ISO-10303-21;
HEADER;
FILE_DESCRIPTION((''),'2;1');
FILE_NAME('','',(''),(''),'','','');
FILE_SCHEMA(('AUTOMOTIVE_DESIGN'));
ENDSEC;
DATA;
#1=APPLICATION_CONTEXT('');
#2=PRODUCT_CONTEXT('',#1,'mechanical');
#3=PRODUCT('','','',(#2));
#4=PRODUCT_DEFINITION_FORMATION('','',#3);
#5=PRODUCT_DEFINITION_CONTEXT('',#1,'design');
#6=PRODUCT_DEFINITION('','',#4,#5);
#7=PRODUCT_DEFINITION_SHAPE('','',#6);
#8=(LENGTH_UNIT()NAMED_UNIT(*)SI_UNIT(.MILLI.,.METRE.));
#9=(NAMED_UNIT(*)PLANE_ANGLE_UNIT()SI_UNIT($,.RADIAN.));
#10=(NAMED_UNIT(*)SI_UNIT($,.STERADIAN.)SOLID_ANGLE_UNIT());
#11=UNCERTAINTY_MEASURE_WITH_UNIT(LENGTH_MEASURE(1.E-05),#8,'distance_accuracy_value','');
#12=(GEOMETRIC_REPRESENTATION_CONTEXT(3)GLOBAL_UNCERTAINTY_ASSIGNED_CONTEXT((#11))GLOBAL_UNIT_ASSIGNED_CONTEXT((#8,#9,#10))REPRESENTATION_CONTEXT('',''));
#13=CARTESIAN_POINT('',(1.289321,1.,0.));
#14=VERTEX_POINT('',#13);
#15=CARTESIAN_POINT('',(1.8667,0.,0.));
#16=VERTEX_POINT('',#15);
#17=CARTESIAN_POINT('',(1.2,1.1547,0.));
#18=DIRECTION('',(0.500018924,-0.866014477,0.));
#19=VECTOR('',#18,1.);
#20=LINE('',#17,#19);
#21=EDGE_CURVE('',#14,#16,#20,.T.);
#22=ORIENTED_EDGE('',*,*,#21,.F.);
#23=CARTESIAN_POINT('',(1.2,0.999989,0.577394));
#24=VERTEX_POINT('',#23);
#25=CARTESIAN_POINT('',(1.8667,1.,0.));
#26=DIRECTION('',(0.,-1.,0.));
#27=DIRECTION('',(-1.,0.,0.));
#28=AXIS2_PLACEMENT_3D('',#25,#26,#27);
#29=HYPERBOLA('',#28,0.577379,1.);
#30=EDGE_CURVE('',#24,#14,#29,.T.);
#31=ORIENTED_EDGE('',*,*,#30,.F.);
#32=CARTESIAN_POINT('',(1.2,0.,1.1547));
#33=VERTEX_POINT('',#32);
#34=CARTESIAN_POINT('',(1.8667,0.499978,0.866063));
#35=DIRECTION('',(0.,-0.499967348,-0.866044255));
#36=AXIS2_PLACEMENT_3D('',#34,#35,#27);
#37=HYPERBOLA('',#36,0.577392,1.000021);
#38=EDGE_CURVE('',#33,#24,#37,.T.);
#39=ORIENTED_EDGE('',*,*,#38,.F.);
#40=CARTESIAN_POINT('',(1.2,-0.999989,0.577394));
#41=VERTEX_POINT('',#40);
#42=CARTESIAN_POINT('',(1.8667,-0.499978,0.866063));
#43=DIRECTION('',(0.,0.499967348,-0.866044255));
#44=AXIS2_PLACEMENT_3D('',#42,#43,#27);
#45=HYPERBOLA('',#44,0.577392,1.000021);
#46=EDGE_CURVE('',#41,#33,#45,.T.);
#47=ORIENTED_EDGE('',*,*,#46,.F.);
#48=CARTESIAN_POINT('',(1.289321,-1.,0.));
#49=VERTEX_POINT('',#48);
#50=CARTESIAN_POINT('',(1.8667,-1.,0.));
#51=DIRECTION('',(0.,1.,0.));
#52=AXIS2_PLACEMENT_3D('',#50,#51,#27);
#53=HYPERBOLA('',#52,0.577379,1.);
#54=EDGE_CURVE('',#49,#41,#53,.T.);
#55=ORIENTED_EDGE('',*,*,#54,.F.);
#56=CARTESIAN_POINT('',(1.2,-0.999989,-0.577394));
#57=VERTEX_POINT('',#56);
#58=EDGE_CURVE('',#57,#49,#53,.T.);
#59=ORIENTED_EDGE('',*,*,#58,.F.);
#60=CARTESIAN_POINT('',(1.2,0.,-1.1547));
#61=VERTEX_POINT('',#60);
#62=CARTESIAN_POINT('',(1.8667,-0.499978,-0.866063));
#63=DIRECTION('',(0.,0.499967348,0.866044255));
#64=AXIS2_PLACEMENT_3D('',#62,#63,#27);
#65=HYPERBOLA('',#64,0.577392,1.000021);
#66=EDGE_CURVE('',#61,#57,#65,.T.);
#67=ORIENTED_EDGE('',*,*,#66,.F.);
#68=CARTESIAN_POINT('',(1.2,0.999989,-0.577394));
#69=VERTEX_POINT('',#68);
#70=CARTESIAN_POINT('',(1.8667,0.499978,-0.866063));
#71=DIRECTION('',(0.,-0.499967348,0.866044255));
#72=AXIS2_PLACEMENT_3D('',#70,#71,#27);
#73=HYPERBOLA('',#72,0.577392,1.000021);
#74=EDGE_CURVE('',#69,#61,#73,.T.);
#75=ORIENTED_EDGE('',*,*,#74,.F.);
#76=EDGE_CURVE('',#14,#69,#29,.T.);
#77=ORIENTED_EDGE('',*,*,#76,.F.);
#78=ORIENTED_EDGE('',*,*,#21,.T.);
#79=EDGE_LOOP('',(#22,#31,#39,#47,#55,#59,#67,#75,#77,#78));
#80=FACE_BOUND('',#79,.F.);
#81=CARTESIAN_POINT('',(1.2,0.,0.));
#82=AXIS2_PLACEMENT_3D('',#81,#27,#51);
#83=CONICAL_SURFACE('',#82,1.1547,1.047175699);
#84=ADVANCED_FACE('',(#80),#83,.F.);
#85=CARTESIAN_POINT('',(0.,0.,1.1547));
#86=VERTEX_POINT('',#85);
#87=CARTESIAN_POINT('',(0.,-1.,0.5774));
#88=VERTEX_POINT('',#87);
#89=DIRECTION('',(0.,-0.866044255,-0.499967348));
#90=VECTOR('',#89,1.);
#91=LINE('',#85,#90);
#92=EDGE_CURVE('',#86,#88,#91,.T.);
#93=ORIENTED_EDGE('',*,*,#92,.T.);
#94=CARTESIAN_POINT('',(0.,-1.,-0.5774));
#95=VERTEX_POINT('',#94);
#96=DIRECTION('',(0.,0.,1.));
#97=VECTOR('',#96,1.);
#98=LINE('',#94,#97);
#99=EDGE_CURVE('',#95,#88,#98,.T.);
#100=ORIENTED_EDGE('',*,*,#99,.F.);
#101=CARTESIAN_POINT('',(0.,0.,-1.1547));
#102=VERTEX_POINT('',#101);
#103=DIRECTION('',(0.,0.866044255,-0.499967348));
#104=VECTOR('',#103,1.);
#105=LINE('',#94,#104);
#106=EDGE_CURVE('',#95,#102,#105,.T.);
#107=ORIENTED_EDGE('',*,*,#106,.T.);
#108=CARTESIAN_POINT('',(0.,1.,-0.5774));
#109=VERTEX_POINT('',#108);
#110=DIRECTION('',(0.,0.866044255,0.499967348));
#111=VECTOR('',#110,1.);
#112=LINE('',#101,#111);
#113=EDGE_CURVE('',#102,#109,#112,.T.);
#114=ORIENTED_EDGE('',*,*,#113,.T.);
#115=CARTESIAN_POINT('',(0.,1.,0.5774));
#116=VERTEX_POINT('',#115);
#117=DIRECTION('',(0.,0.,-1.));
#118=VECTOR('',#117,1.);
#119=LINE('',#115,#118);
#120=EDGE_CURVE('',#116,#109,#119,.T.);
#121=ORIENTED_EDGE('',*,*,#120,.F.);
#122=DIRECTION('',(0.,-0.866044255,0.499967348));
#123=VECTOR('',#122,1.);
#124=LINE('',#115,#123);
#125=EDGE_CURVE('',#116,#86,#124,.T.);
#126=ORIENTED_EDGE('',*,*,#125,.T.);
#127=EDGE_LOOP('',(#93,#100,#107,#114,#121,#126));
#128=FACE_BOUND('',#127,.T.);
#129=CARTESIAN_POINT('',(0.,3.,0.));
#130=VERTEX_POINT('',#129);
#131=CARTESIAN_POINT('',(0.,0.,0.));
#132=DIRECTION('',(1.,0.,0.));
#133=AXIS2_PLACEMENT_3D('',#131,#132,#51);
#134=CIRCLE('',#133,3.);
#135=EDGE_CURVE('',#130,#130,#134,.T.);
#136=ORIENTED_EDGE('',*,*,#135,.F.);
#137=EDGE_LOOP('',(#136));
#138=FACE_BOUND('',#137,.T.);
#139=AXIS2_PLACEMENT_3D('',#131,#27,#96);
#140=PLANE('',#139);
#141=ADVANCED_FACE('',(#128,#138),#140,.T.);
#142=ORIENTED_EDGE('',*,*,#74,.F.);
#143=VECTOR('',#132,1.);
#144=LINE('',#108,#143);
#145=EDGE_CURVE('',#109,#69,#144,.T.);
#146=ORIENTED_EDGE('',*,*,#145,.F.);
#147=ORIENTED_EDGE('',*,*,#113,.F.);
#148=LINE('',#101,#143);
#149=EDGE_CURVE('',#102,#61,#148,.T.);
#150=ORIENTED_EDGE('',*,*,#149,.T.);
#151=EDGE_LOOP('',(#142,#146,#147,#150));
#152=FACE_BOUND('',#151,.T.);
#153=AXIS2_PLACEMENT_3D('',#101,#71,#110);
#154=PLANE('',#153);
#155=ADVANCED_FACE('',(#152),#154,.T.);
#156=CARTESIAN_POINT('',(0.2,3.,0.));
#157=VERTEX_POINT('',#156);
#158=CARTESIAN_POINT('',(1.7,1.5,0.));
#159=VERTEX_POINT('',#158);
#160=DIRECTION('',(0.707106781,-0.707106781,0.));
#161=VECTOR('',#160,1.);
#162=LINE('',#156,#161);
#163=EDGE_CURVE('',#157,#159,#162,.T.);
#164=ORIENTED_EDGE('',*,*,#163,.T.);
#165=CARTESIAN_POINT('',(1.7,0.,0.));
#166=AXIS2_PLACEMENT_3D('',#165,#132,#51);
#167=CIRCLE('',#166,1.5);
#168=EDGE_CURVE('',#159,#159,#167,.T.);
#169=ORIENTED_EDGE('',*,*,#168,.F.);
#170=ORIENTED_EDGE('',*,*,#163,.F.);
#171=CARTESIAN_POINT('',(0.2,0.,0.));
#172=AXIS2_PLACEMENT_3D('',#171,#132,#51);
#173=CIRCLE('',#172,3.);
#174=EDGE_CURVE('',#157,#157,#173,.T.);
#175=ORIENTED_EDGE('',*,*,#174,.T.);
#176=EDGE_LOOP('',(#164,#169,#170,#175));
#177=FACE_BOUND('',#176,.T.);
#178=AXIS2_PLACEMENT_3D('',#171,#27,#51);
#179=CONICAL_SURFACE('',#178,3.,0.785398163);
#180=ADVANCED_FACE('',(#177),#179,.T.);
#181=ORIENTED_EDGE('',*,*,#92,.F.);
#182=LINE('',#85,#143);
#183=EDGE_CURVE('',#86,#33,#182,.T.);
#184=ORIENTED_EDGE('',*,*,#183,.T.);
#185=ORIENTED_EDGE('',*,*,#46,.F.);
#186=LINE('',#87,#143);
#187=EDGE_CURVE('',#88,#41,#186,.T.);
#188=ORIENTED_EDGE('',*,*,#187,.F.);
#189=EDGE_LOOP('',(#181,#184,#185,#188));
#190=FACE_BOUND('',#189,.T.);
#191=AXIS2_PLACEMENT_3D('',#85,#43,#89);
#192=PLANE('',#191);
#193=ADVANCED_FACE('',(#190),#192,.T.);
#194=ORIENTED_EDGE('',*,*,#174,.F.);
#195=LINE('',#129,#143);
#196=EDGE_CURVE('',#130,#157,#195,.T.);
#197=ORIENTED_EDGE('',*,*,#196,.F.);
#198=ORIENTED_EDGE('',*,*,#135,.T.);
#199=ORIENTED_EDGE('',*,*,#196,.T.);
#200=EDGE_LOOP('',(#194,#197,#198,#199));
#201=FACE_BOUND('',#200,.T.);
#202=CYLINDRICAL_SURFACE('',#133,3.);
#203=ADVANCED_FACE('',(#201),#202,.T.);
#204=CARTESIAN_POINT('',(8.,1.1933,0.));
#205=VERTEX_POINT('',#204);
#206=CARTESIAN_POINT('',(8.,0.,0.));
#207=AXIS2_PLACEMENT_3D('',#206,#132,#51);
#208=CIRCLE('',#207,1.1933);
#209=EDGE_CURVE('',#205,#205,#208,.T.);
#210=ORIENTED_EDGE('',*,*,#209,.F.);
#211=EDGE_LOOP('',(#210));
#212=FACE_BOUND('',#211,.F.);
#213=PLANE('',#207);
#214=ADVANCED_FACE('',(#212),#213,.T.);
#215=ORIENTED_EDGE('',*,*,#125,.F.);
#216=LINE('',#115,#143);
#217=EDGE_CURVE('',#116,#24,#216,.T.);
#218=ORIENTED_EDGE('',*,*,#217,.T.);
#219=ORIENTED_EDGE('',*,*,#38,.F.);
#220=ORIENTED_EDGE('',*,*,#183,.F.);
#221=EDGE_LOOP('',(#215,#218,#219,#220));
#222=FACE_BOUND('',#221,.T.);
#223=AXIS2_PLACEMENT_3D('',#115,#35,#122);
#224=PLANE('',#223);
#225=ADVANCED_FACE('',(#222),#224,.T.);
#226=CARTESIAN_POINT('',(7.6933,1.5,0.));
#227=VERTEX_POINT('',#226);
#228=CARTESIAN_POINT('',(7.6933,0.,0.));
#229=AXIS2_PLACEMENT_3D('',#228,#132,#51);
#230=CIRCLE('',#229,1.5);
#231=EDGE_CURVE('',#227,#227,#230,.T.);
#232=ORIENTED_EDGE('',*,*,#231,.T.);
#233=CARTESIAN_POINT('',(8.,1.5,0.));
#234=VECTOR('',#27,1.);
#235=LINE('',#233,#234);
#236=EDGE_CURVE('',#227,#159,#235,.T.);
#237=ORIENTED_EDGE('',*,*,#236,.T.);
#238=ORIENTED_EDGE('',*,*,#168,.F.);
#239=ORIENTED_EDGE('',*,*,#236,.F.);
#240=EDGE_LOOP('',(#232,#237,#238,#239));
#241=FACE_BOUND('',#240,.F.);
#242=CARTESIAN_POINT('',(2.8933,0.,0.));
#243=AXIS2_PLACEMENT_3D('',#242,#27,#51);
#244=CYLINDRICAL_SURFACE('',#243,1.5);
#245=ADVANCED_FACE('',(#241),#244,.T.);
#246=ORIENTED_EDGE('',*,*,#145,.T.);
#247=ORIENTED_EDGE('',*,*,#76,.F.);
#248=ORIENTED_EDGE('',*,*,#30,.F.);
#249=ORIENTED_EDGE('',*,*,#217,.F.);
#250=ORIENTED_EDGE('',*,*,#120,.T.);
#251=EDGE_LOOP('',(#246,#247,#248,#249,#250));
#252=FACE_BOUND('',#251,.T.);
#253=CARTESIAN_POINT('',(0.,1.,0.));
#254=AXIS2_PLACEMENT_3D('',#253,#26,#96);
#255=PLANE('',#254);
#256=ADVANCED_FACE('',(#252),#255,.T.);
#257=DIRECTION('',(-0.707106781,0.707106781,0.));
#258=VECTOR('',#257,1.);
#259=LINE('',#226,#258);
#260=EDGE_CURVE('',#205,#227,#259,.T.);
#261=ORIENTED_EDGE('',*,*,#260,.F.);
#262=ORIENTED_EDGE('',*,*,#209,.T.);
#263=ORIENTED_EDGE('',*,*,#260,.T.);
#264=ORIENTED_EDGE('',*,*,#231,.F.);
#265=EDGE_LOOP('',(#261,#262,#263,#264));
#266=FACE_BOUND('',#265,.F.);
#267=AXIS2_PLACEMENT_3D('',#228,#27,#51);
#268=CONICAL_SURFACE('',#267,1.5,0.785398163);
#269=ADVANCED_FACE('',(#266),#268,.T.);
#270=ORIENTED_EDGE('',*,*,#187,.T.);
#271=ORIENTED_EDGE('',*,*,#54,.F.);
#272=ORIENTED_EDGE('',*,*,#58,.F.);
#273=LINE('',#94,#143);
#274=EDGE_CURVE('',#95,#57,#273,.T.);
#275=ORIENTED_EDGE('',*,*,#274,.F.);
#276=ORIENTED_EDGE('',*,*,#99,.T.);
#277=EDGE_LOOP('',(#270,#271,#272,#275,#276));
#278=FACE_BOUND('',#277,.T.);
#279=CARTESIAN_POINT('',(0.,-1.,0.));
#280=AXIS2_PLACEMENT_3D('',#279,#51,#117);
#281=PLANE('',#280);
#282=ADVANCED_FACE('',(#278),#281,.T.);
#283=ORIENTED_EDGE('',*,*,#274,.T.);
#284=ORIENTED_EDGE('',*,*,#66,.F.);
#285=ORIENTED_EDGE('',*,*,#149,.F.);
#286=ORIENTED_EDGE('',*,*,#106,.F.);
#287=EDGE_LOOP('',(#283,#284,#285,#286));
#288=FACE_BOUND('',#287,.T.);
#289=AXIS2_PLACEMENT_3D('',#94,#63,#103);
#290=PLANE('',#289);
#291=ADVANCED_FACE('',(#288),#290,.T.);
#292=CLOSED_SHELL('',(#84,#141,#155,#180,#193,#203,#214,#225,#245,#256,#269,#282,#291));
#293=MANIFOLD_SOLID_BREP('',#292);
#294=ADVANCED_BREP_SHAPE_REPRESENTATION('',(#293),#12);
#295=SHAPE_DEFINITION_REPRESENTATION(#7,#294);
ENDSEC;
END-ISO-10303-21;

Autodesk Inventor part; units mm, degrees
ref_plane "YZ Plane" through (0, 0, 0) normal (1, 0, 0) x (0, 1, 0)
ref_plane "XZ Plane" through (0, 0, 0) normal (0, 1, 0) x (-1, 0, 0)
ref_plane "XY Plane" through (0, 0, 0) normal (0, 0, 1) x (1, 0, 0)
sketch "Skizze1" plane through (0, 0, 0) normal (0, 0, 1) x (1, 0, 0)
  line L0 (8, 0) -> (8, 1.5)
  line L1 (8, 1.5) -> (3.2, 1.5)
  line L2 (3.2, 1.5) -> (2.8933, 1.5)
  line L3 (0, 3) -> (0, 1.1547)
  line L4 (0, 1.1547) -> (1.2, 1.1547)
  line L5 (1.2, 1.1547) -> (1.8667, 0)
  line L6 (1.8667, 0) -> (8, 0)
  line L7 (0, 3) -> (0.2, 3)
  line L8 (0.2, 3) -> (1.7, 1.5)
  line L9 (2.8933, 1.5) -> (1.7, 1.5)
  line L10 (3.2, 1.5) -> (1.7, 1.5) construction
  line L11 (1.7, 1.5) -> (1.7, 1.5)
  line L12 (-12.7, 0) -> (165.1, 0) projected
  line L13 (0, -1.0566) -> (0, 13.7363) projected
  dimension "d0" = 8
  dimension "d1" = 4.8
  dimension "d2" = 1.2
  dimension "d3" = 3
  dimension "d6" = 1.7
  dimension "d7" = 45
  dimension "d8" = 2.3094
  dimension "d9" = 60
  dimension "d10" = 6
  dimension "d11" = 3
  dimension "d12" = 0.3067
revolve "Körper" add sketch "Skizze1" angle 360 about axis through (1.8667, 0, 0) along (1, 0, 0) contours L6 L5 L4 L3 L7 L8 L9 L2 L1 L0
sketch "Skizze2" plane through (0, 0, 0) normal (-1, 0, 0) x (0, 0, 1)
  circle A0 centre (0, 0) radius 1.1547 projected
  line L0 (0, -3.6) -> (0, 4.8) projected
  line L1 (-3.6, 0) -> (4.8, 0) projected
  line L2 (1.1547, 0) -> (0.5774, -1)
  line L3 (0.5774, -1) -> (-0.5774, -1)
  line L4 (-0.5774, -1) -> (-1.1547, 0)
  line L5 (-1.1547, 0) -> (-0.5774, 1)
  line L6 (-0.5774, 1) -> (0.5774, 1)
  line L7 (0.5774, 1) -> (1.1547, 0)
  point P0 (0, 1.1547)
extrude "Loch" add sketch "Skizze2" against normal up to next contours L7 A0 | A0 L2 | L6 L0 A0 | A0 L0 L3 | L0 L6 A0 | A0 L3 L0 | L4 A0 | A0 L5
thread "Gewinde" size "M3x0.5" designation "M3" class "6g" standard "ANSI Metrisches M Profil" length 4.8
chamfer "Fase1" distance 0.3067 distance2 0.3067 1 edges at (8, -1.5, 0) measured on face at (8, -0.8298, -0.2045)
equation "\"d0\" = NLG"
equation "\"d1\" = GEL"
equation "\"d2\" = INTI"
equation "\"d3\" = GD"
equation "\"d6\" = KOH"
equation "\"d7\" = 0.5 * SEWI"
equation "\"d8\" = 1.1547 * SW"
equation "\"d10\" = KOD"
equation "\"d11\" = BDM"
equation "\"d12\" = GAL"
equation "\"d15\" = GEL"
equation "\"d17\" = -0.5 * SPD + 0.5 * GD"
equation "\"d18\" = GUL"
equation "\"NLG\" = 8"
equation "\"INTI\" = 1.2"
equation "\"GEL\" = 4.8"
equation "\"GAL\" = 0.61345 * TPU"
equation "\"KOH\" = 1.7"
equation "\"KOD\" = 6"
equation "\"GUL\" = 0.61345 * TPU"
equation "\"SPD\" = NND - 1.2269 * TPU"
equation "\"BDM\" = NND"
equation "\"GD\" = NND"
equation "\"SEWI\" = 90deg"
equation "\"SW\" = 2"
equation "\"NND\" = 3"
equation "\"EPV\" = 3.2"
equation "\"E0\" = 1.155 * SW"
equation "\"THREADDIA\" = 3"
equation "\"TPU\" = 0.5"
equation "\"GD1\" = THREADDIA - 1.2269 * TPU"
equation "\"PTC\" = TPU"
equation "\"TOA\" = 30deg"
properties part number "520 209 112"
